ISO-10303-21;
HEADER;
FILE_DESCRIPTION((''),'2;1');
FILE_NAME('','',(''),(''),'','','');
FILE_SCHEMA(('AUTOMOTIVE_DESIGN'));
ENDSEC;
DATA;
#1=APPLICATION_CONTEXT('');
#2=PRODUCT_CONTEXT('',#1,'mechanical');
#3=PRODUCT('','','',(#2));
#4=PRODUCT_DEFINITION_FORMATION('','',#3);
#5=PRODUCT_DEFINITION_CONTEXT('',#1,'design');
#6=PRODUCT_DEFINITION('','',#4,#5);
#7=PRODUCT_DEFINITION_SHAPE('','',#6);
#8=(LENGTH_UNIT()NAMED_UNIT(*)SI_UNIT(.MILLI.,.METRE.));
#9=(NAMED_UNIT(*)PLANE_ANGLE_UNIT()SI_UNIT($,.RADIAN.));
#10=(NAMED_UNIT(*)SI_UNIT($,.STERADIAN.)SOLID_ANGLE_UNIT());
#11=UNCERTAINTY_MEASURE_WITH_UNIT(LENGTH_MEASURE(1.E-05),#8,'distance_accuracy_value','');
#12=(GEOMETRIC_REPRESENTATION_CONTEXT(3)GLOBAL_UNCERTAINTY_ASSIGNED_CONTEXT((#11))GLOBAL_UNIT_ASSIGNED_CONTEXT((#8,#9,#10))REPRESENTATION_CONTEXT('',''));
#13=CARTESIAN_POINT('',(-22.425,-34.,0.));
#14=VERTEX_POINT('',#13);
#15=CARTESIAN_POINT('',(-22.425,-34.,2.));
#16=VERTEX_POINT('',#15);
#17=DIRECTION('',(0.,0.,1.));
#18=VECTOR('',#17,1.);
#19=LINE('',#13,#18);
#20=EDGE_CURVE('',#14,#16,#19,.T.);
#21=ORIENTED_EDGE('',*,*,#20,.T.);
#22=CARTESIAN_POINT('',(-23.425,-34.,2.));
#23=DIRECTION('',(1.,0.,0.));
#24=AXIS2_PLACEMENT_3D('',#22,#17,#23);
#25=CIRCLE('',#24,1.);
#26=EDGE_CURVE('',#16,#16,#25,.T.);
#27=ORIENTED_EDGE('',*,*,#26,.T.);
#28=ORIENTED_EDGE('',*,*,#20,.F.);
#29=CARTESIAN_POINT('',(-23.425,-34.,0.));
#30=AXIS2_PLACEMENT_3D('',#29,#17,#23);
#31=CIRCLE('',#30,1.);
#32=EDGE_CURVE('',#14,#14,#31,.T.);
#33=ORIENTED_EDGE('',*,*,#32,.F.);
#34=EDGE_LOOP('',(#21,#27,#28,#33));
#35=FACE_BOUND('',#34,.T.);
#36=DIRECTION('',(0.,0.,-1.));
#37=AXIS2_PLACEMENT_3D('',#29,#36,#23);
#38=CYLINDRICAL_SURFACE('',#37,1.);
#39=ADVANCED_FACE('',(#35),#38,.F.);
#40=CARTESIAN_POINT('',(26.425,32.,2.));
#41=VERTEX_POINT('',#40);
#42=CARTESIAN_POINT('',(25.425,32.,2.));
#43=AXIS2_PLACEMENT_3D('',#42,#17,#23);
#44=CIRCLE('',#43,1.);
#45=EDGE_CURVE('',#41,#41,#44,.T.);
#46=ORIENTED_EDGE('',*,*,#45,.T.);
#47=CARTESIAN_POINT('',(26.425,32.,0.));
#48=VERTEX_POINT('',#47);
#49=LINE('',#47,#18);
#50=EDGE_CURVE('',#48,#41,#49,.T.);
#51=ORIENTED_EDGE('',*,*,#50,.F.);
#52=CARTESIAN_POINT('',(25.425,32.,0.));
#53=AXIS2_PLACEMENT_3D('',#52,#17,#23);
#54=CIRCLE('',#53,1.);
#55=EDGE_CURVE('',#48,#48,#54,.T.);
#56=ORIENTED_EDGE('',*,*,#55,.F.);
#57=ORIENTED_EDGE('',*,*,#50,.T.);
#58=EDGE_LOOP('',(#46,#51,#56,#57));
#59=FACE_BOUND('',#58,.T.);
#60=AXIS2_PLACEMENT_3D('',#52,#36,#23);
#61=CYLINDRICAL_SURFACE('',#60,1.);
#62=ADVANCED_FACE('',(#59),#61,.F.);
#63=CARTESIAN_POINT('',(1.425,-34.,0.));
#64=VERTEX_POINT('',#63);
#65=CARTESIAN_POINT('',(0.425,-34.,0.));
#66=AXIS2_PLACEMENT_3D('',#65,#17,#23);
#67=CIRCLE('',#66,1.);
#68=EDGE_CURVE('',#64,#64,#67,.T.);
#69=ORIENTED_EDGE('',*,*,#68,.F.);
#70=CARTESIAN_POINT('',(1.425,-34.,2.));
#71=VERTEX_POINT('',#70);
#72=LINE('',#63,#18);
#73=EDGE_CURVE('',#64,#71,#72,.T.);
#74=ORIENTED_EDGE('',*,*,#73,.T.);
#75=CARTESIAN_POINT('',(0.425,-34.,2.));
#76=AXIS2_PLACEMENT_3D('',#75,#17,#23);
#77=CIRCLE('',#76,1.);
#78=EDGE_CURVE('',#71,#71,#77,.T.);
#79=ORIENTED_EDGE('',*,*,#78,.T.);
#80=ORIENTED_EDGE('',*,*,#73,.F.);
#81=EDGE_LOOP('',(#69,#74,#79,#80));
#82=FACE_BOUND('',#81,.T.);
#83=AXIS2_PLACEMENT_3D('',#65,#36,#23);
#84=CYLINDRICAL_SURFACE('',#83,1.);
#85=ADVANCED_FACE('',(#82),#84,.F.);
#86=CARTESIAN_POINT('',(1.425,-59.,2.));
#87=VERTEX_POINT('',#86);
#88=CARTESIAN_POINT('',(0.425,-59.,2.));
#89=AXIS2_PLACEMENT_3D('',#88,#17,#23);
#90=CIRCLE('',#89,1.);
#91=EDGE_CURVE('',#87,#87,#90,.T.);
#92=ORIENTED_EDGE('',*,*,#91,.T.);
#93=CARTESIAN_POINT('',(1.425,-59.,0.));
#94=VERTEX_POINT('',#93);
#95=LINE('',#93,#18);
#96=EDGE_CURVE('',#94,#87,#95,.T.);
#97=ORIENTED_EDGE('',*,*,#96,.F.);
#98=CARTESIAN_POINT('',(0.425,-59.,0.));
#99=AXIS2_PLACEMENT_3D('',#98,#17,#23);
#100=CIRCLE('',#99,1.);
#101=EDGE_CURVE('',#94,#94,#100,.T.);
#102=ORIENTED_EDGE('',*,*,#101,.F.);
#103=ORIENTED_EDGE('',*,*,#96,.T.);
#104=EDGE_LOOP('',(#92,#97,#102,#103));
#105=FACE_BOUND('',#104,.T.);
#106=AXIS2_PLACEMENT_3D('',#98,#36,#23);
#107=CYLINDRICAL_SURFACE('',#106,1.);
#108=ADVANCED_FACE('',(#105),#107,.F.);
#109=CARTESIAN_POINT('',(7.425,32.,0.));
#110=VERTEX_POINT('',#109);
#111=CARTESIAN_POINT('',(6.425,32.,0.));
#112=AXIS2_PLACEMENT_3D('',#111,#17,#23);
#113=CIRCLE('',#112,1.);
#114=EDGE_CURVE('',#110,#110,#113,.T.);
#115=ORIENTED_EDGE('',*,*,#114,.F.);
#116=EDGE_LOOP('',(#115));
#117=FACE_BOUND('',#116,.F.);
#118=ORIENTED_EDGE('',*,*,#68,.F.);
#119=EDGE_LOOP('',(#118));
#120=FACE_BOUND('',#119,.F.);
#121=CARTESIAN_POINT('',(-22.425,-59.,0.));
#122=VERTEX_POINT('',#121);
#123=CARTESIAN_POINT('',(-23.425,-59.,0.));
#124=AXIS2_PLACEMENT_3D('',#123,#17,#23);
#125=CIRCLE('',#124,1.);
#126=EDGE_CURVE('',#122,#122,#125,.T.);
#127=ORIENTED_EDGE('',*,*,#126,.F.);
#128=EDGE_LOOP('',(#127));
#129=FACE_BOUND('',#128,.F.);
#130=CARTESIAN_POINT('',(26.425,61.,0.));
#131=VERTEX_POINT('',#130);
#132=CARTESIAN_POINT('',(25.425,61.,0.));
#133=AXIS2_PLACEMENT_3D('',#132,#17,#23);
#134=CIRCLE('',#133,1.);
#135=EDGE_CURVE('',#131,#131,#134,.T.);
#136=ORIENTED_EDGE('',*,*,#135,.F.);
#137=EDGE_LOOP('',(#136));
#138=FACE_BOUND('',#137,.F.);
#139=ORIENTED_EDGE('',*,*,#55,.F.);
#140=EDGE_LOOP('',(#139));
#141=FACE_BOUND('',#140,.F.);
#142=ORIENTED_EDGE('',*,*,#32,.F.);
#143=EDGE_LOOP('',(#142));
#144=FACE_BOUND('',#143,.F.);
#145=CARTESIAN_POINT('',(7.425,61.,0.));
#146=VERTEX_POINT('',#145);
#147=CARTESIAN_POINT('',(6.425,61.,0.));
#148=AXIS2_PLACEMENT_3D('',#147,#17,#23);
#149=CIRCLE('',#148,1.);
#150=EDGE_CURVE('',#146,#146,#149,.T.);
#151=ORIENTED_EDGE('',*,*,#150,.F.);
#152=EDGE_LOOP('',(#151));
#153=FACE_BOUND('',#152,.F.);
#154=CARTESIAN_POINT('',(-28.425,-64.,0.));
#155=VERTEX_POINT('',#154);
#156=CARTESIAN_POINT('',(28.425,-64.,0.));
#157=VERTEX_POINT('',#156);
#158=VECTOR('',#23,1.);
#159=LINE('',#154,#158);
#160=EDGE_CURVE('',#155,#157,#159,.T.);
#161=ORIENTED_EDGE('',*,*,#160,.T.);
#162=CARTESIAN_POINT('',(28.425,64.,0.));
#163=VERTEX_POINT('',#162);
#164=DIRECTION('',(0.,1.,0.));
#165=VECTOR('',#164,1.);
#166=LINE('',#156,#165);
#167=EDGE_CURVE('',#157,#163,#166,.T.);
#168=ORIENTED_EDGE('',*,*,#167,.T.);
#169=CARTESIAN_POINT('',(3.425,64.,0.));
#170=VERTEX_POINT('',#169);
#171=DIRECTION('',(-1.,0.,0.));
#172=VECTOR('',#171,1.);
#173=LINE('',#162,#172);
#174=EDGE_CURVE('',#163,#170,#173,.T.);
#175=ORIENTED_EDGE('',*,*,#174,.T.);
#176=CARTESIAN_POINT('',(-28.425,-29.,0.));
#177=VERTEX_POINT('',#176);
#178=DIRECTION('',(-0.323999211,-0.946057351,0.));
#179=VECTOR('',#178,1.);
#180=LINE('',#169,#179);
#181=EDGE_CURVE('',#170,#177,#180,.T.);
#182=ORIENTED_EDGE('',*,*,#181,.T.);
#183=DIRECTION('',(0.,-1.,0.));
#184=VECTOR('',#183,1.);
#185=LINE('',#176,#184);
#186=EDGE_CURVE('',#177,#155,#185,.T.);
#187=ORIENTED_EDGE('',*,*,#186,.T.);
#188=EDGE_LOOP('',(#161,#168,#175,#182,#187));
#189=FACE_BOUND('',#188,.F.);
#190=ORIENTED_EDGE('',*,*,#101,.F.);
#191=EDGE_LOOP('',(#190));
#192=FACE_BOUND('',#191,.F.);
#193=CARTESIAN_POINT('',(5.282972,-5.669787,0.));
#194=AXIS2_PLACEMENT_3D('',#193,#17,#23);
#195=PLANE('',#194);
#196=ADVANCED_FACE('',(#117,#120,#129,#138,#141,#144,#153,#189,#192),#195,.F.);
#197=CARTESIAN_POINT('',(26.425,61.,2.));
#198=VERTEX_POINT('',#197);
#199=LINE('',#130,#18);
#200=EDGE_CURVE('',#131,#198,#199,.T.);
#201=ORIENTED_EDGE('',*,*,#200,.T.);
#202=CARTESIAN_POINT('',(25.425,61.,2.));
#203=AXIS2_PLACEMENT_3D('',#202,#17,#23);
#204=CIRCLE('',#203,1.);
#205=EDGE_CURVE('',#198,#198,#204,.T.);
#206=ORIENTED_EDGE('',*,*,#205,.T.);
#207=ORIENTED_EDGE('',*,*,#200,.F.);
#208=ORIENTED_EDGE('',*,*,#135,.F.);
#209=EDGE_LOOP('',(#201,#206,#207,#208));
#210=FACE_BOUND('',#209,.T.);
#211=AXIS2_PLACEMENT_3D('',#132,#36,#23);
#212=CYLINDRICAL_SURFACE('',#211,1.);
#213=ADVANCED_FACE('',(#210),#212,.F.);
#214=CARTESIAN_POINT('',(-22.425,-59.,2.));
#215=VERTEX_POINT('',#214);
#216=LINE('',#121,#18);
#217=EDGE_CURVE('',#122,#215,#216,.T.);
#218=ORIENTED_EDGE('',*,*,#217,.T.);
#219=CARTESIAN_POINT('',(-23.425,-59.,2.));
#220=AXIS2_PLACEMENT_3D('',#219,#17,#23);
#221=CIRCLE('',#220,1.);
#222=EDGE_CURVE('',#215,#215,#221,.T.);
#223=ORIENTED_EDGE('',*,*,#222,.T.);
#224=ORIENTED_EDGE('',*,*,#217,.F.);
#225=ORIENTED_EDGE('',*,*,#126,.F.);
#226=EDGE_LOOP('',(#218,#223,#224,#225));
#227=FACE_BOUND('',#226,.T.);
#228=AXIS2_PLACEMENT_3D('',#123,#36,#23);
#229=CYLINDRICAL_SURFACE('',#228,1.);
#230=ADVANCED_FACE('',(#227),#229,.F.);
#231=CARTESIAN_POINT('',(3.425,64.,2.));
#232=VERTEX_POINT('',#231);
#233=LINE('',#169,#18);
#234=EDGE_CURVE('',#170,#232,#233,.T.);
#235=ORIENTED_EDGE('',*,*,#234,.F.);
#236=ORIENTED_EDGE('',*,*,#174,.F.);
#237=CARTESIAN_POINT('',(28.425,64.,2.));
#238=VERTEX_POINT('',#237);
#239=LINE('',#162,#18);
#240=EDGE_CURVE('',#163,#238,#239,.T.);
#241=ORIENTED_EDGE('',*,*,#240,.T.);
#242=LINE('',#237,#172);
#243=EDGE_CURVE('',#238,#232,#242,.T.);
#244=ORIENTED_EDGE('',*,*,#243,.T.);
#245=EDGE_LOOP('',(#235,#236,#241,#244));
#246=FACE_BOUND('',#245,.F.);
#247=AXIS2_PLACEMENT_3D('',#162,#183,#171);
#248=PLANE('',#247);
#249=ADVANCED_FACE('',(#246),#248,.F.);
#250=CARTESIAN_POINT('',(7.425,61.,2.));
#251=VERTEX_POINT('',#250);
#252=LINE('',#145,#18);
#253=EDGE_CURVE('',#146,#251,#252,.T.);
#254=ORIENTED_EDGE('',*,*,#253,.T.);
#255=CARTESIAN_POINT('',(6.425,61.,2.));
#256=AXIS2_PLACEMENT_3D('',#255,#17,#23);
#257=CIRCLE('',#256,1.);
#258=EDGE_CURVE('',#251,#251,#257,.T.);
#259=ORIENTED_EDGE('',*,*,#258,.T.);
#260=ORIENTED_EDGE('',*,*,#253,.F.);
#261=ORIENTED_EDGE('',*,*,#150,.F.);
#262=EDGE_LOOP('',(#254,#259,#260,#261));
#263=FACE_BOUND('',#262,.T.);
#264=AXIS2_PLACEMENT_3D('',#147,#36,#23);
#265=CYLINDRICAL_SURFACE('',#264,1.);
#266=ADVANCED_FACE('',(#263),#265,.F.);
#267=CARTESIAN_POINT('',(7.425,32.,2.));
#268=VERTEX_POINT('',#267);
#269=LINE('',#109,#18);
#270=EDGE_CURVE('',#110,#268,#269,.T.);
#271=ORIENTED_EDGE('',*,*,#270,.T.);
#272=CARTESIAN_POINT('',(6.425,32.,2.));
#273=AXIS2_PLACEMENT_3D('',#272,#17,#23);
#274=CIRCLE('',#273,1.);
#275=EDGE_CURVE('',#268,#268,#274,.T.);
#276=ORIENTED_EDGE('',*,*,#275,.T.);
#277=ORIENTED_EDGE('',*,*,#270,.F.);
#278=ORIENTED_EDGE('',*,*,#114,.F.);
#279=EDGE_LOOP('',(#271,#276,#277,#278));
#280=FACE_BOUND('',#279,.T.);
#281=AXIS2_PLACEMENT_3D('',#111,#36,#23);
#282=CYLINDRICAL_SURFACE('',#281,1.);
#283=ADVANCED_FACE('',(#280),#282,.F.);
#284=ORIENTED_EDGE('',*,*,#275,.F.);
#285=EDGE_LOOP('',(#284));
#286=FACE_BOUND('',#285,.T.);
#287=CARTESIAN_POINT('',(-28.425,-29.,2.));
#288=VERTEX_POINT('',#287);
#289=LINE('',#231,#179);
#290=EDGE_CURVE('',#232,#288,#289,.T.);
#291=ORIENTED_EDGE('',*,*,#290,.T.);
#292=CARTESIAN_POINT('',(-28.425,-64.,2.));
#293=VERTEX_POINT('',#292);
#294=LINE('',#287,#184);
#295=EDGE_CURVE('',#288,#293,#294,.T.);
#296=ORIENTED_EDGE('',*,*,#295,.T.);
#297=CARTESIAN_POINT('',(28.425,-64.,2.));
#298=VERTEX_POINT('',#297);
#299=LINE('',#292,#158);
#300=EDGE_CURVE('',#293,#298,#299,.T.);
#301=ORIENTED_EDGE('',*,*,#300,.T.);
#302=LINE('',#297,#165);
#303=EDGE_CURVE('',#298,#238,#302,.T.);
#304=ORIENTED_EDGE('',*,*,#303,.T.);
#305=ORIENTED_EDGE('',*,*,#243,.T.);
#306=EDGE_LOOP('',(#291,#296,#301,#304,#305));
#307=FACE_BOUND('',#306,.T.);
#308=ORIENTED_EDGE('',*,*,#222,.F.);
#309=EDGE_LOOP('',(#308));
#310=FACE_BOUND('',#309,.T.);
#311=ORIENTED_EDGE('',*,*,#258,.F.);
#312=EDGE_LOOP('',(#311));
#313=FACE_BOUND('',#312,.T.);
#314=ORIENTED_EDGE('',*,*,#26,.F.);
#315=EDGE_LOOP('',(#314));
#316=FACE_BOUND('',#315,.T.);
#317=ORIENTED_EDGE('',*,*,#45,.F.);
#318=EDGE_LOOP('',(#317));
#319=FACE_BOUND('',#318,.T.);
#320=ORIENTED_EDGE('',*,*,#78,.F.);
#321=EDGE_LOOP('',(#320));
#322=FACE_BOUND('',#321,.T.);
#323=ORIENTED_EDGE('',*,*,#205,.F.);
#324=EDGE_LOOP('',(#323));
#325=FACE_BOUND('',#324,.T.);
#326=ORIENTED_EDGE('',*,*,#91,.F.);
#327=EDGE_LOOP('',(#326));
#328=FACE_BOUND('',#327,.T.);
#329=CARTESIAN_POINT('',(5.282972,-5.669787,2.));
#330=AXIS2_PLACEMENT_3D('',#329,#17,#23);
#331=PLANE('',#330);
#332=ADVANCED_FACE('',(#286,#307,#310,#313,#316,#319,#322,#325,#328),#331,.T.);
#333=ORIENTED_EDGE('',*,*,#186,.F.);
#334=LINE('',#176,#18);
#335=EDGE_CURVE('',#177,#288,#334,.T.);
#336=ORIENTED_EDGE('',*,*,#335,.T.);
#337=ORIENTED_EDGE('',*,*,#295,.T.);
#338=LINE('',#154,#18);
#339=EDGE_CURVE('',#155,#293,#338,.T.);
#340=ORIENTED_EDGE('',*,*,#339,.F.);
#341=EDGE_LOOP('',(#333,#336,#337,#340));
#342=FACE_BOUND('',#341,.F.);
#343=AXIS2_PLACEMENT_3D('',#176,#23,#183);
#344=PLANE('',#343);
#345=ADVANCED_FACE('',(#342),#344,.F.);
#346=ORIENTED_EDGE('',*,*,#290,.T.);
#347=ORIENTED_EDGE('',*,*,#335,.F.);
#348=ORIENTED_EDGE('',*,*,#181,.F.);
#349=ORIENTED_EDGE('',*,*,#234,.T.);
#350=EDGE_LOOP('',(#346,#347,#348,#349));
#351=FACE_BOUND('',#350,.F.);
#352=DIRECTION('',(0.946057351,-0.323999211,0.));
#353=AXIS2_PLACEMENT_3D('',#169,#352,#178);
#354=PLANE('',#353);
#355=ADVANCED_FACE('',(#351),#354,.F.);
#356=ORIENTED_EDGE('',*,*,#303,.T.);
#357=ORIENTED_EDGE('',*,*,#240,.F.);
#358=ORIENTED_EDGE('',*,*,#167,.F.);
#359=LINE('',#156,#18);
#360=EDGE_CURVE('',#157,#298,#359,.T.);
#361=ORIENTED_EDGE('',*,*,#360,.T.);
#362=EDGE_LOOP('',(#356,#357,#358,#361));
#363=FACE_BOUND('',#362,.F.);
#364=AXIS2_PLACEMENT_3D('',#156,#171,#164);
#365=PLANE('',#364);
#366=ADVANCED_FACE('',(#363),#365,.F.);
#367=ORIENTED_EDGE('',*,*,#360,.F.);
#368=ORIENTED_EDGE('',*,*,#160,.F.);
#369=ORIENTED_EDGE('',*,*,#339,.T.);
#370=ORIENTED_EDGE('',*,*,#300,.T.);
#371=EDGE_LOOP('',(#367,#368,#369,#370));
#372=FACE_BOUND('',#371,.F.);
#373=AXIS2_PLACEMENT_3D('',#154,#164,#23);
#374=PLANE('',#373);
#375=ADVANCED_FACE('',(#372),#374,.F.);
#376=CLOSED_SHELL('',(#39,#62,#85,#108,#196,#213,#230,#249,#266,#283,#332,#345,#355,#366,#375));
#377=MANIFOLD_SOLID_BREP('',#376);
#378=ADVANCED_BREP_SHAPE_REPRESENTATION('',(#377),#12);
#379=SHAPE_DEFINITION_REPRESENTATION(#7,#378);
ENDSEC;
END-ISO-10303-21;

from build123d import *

# Parameters (mm, degrees)
F0_R     = 1
F1_DEPTH = 2


with BuildPart() as f1:
    # F0 (on Top) → F1 (new body)
    with BuildSketch(Plane.XY):
        Polygon((28.425, -64), (28.425, 64), (3.425, 64), (-28.425, -29), (-28.425, -64), align=None)
        with Locations((-23.425, -59)):
            Circle(F0_R, mode=Mode.SUBTRACT)
        with Locations((-23.425, -34)):
            Circle(F0_R, mode=Mode.SUBTRACT)
        with Locations((0.425, -59)):
            Circle(F0_R, mode=Mode.SUBTRACT)
        with Locations((0.425, -34)):
            Circle(F0_R, mode=Mode.SUBTRACT)
        with Locations((6.425, 32)):
            Circle(F0_R, mode=Mode.SUBTRACT)
        with Locations((6.425, 61)):
            Circle(F0_R, mode=Mode.SUBTRACT)
        with Locations((25.425, 32)):
            Circle(F0_R, mode=Mode.SUBTRACT)
        with Locations((25.425, 61)):
            Circle(F0_R, mode=Mode.SUBTRACT)
    extrude(amount=F1_DEPTH)


solid = f1.part
